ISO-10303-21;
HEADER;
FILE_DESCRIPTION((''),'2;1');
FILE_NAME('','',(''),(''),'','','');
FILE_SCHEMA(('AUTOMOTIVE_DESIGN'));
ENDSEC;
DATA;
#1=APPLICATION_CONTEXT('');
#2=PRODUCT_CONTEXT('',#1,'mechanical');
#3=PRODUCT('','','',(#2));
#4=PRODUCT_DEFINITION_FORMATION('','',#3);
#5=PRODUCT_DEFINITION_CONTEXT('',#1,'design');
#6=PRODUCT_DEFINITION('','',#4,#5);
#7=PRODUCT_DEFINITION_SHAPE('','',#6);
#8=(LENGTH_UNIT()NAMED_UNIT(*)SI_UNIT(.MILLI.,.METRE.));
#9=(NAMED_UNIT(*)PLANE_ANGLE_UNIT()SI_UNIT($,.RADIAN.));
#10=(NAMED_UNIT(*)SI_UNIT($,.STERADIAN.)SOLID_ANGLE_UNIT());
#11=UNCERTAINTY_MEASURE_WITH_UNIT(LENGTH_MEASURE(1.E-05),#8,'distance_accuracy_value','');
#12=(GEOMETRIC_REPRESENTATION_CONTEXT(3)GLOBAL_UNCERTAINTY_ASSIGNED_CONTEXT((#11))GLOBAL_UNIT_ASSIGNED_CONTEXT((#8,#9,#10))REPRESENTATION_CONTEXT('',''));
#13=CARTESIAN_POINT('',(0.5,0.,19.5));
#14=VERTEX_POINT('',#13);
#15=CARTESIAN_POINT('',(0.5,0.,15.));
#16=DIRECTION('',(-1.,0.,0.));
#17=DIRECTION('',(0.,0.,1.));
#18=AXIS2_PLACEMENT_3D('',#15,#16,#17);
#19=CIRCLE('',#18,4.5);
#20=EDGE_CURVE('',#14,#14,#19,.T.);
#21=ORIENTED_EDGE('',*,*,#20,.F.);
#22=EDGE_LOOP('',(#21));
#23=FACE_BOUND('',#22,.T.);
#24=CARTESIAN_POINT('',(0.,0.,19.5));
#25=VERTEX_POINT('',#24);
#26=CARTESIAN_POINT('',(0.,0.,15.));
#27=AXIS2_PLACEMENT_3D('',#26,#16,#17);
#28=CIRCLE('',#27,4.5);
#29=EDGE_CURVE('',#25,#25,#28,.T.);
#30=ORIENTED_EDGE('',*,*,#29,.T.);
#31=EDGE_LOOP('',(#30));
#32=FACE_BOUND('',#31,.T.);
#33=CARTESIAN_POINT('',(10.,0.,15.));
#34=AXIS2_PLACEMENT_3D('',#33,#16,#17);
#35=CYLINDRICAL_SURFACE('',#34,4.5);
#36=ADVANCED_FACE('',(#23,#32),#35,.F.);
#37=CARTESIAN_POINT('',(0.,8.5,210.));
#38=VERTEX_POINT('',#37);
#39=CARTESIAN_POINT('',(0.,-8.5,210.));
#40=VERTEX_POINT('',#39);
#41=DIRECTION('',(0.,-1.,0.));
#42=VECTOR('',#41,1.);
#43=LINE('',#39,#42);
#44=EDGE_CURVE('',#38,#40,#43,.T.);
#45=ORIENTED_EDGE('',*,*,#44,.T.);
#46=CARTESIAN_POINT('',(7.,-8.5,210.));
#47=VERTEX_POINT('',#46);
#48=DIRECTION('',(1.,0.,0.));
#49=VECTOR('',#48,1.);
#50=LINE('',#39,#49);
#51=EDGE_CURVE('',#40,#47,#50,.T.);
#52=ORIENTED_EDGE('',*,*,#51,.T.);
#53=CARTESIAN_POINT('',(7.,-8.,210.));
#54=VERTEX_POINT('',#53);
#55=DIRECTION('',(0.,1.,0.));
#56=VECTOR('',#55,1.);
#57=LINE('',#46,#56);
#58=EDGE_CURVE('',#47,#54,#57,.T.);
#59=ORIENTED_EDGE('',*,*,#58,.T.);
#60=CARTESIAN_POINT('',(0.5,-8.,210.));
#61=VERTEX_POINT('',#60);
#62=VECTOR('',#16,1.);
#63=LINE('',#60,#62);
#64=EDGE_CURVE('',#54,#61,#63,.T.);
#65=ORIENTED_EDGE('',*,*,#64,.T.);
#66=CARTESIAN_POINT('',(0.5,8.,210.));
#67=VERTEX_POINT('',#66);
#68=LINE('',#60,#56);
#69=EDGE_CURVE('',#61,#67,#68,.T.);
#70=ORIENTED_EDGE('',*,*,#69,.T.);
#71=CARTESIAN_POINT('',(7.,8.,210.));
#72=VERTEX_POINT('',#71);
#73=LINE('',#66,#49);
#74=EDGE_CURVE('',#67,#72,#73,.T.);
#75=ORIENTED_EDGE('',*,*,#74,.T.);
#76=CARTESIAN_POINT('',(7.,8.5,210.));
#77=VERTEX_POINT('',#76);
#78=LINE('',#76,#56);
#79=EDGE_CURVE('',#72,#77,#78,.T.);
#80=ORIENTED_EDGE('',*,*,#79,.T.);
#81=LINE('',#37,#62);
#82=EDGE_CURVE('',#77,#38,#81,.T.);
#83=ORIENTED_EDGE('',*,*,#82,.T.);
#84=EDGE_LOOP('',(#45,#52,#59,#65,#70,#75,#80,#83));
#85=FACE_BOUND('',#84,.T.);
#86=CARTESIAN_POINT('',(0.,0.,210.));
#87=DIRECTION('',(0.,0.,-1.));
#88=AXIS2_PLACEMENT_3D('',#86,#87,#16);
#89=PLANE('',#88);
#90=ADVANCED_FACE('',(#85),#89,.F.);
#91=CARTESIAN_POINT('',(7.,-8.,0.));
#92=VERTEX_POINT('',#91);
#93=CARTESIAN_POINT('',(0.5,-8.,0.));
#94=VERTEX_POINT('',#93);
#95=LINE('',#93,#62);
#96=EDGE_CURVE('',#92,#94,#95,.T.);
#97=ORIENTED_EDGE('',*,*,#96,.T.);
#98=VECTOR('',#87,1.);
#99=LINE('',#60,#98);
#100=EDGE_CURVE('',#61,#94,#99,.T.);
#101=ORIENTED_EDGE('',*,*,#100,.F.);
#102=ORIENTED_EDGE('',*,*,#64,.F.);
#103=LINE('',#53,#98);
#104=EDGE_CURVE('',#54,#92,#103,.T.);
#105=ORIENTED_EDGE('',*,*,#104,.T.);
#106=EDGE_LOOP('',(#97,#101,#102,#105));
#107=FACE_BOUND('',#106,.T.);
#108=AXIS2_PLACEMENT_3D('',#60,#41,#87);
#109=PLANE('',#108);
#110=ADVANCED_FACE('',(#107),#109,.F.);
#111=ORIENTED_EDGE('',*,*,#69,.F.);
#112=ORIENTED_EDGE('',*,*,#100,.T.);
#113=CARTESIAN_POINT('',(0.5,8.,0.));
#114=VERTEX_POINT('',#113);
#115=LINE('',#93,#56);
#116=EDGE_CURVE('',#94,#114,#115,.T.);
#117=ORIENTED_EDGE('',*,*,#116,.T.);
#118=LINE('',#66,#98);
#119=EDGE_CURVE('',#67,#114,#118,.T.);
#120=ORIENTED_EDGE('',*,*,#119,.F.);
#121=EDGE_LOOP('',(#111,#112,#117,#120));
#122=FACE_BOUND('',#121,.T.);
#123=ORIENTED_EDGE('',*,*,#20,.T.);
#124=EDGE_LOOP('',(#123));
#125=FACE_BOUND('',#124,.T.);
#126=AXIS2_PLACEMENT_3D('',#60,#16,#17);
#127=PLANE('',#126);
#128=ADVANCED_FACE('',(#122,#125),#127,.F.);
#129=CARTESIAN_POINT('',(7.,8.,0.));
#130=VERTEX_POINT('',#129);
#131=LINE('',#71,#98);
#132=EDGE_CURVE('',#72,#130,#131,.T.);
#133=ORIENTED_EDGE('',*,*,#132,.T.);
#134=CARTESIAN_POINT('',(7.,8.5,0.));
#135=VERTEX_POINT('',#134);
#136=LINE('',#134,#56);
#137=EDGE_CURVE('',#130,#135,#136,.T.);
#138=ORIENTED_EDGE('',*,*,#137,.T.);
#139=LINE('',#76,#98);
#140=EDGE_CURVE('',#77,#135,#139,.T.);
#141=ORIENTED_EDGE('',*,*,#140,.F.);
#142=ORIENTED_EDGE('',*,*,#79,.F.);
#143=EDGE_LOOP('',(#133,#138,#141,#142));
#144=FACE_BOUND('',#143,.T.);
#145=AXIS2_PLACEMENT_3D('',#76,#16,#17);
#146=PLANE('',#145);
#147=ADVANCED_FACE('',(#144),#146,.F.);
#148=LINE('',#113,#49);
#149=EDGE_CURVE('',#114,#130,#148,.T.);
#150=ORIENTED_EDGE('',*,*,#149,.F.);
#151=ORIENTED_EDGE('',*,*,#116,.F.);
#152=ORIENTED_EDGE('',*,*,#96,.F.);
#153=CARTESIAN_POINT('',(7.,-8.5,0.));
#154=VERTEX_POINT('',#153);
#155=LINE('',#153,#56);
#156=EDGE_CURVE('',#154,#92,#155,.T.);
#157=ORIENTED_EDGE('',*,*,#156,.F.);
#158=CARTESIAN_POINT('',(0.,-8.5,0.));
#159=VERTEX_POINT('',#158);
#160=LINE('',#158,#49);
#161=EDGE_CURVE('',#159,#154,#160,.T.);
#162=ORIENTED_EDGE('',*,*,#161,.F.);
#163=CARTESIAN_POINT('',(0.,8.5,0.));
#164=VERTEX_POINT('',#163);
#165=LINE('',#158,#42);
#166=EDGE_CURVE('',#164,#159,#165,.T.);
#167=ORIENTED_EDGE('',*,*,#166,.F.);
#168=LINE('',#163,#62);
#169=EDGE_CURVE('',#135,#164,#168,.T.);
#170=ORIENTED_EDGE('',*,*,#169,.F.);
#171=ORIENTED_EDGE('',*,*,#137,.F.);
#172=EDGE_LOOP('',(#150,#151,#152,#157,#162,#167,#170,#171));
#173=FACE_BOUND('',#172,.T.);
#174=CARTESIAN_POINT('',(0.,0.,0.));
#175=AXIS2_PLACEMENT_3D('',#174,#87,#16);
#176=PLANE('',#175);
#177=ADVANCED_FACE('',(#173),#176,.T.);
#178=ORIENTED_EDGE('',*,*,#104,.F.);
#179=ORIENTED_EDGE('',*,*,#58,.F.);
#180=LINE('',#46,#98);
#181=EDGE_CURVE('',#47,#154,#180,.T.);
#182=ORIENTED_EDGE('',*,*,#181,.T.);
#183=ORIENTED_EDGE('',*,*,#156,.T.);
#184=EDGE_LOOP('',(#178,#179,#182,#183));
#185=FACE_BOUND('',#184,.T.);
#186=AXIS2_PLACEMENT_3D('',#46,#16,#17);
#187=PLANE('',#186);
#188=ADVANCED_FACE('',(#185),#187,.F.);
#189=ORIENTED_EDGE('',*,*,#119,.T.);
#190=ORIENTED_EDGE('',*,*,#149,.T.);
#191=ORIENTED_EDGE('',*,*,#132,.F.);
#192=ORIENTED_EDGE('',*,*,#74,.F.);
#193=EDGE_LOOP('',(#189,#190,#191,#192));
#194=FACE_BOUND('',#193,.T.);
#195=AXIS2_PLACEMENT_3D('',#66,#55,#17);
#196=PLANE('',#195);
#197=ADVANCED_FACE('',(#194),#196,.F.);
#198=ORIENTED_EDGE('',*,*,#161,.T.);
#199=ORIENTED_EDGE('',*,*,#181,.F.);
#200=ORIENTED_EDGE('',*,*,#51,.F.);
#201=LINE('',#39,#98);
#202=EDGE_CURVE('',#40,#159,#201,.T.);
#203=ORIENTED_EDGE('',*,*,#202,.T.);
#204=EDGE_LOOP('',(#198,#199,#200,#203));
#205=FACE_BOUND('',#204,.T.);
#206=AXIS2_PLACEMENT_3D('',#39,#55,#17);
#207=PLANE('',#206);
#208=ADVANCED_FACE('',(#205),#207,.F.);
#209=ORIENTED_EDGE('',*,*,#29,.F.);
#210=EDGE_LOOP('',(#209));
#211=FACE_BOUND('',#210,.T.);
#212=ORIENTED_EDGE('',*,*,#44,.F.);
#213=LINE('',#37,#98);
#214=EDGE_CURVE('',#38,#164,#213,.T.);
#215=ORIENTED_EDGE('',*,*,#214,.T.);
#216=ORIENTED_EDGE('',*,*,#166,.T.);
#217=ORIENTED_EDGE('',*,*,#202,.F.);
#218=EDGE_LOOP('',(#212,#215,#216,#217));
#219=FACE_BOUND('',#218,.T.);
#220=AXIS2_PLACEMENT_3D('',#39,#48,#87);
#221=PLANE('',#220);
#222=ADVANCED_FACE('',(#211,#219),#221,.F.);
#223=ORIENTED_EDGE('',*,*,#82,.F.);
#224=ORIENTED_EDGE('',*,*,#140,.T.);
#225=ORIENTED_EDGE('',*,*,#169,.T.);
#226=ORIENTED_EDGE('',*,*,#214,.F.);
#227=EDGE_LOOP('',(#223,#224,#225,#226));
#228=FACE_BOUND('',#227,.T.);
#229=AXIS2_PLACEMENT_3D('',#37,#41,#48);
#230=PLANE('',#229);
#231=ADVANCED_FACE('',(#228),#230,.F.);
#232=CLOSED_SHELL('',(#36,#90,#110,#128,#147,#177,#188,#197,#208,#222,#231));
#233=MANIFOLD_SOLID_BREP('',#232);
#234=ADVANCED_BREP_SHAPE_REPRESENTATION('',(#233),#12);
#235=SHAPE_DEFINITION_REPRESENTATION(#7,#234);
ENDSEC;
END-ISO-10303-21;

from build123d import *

# Parameters (mm, degrees)
RESSALTO_EXTRUS_O1_DEPTH = 210
ESBO_O3_R                = 4.5
CORTE_EXTRUS_O1_DEPTH    = 10


with BuildPart() as part:
    # Esboço1 → Ressalto-extrusão1 (new body)
    with BuildSketch(Plane.XY):
        Polygon((0, -8.5), (0, 8.5), (7, 8.5), (7, 8), (0.5, 8), (0.5, -8), (7, -8), (7, -8.5), align=None)
    extrude(amount=RESSALTO_EXTRUS_O1_DEPTH)

    # Esboço3 → Corte-extrusão1 (cut)
    with BuildSketch(Plane.ZY):
        with Locations((15, 0)):
            Circle(ESBO_O3_R)
    extrude(amount=-CORTE_EXTRUS_O1_DEPTH, mode=Mode.SUBTRACT)


solid = part.part
